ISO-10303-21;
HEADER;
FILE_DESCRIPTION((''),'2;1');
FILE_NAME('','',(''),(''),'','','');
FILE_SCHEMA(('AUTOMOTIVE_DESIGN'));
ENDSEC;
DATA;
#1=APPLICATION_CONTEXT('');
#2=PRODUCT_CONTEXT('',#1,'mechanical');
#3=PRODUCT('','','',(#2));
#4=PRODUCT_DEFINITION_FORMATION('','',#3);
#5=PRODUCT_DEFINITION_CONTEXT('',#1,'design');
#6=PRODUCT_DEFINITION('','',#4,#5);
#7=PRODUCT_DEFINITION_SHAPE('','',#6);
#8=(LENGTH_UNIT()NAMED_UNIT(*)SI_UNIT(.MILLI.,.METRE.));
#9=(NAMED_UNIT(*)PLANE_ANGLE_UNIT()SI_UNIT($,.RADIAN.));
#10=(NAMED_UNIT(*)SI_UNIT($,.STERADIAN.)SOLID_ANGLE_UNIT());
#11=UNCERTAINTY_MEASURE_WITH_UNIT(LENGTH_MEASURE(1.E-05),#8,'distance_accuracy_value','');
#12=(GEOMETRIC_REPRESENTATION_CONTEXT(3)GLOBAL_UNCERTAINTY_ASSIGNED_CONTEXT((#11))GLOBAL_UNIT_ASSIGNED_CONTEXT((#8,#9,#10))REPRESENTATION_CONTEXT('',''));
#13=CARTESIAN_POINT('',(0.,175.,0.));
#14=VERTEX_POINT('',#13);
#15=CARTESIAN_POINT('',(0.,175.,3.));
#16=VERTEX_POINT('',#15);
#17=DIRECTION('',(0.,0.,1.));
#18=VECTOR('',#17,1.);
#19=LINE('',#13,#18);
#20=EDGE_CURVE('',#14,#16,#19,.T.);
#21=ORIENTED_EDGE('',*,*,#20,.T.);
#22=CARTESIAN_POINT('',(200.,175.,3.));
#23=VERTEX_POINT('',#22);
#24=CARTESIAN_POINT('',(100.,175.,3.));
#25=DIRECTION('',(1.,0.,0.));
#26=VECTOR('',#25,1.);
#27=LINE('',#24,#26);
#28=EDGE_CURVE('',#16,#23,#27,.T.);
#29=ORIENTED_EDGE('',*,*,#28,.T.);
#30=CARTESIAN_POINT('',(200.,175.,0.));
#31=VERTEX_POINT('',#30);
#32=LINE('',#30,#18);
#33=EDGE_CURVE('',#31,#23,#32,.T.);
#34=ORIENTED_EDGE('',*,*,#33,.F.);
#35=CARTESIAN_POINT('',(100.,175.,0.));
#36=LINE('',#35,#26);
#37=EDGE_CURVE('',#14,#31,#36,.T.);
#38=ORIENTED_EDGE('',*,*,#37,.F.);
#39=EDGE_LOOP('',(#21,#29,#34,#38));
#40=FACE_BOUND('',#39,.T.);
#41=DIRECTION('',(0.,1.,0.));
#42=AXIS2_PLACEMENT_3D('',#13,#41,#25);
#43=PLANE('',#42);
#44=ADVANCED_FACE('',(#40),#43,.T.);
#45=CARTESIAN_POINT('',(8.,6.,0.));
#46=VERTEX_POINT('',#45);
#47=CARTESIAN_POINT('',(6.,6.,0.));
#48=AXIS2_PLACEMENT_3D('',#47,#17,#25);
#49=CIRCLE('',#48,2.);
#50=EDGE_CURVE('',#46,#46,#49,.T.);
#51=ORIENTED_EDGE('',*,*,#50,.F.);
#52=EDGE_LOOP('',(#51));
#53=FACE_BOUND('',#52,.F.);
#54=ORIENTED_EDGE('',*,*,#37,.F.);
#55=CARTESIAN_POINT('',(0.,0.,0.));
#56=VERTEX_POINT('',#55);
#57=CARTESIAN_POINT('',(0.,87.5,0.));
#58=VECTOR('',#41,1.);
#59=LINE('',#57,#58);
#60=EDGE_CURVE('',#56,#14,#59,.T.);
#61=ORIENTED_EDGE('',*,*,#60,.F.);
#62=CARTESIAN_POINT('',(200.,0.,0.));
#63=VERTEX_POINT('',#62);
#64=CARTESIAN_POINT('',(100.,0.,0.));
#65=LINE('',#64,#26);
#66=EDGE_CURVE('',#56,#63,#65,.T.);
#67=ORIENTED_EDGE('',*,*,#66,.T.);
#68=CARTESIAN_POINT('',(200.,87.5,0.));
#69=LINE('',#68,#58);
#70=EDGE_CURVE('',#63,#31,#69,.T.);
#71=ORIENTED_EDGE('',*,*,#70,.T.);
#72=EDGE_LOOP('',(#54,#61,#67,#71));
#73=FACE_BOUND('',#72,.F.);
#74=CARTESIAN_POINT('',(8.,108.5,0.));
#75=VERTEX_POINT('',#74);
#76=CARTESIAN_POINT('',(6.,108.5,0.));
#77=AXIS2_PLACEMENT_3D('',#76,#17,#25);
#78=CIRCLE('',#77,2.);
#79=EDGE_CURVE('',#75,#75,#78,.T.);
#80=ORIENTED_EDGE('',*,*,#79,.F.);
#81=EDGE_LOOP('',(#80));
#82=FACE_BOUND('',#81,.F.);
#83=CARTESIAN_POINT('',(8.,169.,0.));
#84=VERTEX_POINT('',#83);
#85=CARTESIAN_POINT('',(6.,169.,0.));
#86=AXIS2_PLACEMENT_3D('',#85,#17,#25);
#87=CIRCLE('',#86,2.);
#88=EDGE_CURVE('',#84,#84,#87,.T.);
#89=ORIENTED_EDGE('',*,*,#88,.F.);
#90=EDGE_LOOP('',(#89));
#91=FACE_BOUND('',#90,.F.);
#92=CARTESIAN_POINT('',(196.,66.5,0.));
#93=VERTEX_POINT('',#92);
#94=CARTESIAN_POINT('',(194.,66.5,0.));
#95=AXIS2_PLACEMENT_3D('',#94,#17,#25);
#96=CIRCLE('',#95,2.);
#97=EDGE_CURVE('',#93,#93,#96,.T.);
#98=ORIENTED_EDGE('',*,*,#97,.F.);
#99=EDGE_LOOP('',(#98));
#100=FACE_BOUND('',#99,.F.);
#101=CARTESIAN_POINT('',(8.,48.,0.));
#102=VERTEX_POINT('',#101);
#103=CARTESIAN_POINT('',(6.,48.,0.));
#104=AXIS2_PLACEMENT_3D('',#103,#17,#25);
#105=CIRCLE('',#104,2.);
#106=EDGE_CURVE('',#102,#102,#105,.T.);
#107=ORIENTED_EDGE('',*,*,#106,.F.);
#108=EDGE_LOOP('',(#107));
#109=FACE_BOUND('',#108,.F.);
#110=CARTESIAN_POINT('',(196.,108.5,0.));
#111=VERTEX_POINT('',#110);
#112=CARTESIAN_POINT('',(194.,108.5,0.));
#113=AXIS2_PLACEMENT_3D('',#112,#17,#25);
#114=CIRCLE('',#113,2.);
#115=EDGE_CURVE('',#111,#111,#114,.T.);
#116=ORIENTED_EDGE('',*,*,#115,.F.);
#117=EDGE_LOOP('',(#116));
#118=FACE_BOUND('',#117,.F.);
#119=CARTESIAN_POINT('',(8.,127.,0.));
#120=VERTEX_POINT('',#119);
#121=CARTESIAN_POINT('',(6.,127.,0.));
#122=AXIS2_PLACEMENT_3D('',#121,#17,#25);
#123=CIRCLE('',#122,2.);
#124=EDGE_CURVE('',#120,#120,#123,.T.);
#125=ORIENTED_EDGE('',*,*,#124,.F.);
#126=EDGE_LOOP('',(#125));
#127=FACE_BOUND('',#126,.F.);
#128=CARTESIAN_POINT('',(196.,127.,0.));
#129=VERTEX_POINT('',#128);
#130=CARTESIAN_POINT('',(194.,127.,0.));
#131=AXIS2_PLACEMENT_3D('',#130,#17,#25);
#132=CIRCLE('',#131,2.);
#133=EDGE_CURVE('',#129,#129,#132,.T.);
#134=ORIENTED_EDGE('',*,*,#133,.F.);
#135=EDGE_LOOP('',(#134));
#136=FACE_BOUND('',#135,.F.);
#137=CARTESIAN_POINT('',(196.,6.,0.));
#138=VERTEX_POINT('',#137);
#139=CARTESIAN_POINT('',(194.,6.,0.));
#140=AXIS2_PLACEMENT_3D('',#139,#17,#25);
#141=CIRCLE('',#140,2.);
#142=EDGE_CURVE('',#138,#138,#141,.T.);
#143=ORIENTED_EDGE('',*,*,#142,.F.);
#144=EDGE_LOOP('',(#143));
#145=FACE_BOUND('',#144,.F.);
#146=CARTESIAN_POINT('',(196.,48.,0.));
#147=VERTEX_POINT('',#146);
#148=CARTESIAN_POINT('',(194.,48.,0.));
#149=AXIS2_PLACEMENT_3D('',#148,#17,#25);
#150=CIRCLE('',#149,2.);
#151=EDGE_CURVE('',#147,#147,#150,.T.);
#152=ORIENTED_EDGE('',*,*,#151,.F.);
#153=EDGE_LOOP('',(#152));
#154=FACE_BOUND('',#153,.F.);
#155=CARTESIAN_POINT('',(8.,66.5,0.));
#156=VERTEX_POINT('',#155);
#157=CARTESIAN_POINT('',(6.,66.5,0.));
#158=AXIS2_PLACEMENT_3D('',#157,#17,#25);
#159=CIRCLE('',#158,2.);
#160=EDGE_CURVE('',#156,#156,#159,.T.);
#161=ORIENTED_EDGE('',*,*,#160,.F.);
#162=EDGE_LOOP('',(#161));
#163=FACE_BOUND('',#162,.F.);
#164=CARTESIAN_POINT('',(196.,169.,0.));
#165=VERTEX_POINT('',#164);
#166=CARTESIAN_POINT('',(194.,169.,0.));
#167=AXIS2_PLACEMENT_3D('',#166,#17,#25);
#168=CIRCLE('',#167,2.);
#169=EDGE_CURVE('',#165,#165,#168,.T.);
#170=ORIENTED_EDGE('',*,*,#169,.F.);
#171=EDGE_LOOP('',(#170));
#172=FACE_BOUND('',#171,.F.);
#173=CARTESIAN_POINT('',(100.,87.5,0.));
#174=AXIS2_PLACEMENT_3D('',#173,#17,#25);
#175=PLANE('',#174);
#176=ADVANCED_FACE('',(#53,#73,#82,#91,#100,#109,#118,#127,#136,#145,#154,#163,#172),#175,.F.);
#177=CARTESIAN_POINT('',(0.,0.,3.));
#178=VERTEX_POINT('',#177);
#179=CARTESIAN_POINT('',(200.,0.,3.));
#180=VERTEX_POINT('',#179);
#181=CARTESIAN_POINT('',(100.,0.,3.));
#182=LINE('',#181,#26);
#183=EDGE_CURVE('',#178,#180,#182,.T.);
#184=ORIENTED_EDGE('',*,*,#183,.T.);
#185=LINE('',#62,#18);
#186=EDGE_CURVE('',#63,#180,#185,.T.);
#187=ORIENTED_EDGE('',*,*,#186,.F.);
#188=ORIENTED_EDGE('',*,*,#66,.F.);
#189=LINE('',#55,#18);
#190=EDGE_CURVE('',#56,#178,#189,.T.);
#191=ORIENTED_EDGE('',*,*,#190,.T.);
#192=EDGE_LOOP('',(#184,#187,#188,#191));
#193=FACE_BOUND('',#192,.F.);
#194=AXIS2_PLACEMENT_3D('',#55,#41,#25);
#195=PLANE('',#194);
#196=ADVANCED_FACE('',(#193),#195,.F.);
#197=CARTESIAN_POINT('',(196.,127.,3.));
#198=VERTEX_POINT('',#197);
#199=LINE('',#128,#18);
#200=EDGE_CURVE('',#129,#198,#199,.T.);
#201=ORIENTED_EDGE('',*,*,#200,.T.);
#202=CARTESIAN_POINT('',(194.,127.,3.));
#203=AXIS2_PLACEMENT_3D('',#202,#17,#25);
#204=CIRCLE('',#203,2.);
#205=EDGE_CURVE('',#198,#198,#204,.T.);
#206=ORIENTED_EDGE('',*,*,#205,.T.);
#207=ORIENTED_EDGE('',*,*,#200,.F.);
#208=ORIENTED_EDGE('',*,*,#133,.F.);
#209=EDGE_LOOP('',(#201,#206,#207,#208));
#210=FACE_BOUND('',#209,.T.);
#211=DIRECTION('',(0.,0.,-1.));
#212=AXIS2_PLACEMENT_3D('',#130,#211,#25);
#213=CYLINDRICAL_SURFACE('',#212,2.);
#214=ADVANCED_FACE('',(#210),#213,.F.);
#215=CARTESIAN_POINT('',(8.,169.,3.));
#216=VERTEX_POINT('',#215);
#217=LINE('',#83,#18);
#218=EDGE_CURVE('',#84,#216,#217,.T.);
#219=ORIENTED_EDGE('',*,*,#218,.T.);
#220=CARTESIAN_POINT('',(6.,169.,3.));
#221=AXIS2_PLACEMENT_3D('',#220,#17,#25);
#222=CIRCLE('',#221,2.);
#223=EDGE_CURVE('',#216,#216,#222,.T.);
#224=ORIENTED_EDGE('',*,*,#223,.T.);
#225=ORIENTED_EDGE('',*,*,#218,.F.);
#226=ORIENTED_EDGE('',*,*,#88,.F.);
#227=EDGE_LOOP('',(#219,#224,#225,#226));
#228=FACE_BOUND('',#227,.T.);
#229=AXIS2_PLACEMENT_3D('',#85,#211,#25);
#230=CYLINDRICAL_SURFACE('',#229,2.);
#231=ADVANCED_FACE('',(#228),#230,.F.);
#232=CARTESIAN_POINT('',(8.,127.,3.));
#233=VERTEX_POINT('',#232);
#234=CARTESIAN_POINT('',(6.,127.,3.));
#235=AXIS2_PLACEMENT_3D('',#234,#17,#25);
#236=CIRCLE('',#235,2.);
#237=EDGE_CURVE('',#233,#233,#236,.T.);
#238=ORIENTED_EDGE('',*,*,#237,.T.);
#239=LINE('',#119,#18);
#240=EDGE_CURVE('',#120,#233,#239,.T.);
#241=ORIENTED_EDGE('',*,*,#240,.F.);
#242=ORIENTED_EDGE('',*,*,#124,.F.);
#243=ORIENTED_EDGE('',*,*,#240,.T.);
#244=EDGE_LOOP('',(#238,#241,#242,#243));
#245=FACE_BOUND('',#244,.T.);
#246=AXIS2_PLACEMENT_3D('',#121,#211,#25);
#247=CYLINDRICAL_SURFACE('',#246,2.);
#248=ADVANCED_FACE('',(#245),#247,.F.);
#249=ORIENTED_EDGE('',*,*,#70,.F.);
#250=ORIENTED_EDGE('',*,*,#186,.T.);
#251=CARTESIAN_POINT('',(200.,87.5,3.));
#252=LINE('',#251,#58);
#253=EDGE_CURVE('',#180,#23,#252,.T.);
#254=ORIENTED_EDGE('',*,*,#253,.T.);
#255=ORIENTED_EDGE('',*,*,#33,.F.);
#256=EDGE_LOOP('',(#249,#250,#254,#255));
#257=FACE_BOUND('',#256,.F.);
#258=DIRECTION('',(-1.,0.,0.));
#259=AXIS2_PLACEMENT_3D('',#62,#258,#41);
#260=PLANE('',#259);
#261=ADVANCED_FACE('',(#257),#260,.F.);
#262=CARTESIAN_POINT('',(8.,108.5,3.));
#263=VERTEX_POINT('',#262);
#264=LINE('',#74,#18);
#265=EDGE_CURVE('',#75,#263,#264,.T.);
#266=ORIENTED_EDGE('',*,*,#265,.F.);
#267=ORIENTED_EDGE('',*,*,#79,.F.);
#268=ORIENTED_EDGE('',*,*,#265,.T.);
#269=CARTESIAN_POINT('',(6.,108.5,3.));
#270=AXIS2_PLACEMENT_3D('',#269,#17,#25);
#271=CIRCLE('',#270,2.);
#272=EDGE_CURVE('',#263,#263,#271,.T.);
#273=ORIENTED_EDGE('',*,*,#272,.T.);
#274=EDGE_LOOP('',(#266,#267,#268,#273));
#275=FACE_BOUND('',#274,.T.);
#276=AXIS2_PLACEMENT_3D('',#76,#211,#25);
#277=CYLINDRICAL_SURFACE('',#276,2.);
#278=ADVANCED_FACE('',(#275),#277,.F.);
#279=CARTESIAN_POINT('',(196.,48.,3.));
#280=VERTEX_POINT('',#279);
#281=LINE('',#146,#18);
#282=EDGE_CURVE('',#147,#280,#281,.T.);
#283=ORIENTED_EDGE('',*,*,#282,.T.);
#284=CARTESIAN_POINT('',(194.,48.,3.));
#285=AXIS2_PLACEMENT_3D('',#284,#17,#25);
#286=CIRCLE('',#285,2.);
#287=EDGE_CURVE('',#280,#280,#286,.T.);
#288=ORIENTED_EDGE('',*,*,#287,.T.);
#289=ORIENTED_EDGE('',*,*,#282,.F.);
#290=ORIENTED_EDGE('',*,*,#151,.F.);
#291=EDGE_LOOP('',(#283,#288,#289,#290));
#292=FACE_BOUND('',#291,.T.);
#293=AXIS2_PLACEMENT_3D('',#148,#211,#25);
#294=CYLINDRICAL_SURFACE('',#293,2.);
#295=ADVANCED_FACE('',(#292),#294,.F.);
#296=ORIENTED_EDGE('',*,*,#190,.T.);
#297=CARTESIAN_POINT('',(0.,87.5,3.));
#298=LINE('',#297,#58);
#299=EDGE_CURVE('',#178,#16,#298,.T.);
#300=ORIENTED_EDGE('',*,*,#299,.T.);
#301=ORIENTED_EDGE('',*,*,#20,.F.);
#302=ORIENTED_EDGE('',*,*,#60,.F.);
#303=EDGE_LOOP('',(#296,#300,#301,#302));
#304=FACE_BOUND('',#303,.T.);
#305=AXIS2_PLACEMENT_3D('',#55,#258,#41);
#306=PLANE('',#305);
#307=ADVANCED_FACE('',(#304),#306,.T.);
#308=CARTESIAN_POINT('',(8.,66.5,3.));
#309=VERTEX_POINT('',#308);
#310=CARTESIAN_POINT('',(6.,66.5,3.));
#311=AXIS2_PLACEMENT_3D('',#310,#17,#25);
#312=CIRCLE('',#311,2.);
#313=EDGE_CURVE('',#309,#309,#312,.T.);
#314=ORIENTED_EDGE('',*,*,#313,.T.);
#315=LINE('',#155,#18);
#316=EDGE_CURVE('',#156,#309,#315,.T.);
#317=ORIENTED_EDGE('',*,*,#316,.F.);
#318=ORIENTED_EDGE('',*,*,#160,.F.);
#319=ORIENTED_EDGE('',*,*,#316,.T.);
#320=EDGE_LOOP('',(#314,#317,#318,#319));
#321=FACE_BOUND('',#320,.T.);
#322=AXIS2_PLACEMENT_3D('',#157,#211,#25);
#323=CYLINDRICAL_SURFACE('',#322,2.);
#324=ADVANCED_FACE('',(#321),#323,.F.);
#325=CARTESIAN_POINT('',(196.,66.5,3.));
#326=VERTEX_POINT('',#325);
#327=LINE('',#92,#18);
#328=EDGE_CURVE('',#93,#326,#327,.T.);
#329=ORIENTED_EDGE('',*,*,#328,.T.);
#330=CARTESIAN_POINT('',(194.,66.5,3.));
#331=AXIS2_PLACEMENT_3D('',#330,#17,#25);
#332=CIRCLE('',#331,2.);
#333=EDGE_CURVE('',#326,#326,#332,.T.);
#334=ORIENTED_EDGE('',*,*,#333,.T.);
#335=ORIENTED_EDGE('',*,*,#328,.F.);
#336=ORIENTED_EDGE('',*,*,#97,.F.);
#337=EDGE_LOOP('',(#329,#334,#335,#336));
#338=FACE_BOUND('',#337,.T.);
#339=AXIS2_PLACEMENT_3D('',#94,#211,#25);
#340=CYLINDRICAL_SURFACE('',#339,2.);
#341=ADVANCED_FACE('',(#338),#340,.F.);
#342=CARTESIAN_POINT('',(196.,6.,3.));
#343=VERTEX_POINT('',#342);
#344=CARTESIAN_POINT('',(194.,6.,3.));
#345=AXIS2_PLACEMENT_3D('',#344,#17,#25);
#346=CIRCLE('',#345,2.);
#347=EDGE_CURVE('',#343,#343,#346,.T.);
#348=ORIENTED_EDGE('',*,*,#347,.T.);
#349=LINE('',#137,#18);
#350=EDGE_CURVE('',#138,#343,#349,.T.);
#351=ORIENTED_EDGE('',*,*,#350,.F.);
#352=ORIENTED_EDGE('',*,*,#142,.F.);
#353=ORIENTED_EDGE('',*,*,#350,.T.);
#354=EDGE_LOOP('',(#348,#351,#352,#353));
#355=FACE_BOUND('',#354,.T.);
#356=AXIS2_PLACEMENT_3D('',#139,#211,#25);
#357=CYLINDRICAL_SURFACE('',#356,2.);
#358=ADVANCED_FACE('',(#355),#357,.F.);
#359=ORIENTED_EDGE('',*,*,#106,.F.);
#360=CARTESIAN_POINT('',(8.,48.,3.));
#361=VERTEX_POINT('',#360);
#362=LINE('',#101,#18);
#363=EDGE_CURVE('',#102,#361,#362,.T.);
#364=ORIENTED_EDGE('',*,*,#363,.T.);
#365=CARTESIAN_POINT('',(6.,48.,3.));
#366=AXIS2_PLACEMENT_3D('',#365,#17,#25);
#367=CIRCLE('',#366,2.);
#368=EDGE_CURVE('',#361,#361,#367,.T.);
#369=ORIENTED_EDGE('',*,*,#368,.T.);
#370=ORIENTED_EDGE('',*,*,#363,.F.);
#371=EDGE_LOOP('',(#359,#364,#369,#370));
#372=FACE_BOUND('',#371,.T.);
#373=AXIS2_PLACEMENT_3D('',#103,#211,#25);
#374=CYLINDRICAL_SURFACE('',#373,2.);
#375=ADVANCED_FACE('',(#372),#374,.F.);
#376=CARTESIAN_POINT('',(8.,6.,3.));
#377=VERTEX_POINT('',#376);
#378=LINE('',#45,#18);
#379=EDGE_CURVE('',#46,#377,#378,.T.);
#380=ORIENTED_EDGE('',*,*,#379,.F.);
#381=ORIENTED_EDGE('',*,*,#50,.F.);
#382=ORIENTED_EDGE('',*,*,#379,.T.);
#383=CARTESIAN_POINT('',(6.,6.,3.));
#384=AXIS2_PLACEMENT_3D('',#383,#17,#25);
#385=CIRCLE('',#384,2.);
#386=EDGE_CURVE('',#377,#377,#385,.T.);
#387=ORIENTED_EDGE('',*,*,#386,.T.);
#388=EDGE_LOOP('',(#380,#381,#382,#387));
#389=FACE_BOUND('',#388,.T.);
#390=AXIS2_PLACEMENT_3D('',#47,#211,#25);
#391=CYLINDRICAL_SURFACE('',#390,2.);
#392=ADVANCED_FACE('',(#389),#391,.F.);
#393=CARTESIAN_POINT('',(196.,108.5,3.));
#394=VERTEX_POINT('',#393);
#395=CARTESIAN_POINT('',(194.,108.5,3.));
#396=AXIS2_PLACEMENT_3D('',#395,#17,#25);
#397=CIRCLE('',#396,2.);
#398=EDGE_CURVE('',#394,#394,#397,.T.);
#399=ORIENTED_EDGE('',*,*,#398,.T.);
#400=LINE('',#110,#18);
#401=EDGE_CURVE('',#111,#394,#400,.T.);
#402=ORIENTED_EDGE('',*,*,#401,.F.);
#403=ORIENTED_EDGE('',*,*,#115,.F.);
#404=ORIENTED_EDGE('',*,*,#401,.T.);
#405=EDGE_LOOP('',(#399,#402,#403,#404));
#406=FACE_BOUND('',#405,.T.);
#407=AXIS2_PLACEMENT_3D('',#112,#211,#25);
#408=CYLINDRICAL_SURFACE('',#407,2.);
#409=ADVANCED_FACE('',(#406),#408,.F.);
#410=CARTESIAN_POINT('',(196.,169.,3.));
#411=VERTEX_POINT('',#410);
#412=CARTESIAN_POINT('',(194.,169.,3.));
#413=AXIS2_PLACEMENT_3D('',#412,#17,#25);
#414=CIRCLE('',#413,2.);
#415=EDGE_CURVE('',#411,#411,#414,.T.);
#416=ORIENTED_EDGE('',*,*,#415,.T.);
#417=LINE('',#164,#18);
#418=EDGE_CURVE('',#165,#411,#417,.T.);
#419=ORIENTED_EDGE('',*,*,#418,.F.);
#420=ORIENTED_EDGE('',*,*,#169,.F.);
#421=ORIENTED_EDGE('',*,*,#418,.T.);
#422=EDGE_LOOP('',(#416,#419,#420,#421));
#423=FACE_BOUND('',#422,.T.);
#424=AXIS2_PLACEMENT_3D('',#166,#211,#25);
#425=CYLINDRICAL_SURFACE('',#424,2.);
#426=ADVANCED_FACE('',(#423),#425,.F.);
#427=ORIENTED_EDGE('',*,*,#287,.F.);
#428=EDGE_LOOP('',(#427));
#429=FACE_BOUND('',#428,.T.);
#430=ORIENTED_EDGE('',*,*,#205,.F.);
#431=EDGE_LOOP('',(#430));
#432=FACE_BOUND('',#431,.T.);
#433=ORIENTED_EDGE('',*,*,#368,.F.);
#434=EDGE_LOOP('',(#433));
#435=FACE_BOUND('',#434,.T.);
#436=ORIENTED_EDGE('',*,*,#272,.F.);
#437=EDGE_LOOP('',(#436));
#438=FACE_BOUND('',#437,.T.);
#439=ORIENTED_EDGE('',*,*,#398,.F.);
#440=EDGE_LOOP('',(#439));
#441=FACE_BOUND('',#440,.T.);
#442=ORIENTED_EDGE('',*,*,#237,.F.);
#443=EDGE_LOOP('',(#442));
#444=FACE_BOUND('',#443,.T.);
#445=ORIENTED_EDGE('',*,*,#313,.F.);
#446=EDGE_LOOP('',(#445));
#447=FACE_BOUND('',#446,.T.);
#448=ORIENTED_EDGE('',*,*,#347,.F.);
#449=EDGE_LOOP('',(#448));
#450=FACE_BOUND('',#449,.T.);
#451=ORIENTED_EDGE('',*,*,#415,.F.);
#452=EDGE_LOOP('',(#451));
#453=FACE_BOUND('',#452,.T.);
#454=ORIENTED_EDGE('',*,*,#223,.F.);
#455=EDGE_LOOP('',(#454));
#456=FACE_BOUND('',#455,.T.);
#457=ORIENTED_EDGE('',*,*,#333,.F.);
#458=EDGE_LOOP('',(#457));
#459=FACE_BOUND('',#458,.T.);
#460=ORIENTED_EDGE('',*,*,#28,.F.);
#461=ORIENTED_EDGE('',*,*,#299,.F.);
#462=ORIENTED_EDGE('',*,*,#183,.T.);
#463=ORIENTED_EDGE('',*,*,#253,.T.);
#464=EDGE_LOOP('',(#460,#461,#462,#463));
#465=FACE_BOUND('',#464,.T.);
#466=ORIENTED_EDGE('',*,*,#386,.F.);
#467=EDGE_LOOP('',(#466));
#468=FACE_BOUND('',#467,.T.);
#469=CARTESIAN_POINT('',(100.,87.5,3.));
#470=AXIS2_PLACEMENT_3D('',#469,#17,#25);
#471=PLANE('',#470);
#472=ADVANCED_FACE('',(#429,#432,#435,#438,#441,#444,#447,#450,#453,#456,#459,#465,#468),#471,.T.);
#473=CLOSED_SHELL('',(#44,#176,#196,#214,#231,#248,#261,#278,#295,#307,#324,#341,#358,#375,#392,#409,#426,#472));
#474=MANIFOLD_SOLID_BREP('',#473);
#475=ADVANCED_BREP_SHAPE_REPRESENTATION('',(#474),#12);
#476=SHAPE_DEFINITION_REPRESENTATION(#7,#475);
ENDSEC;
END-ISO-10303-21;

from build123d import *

# Parameters (mm, degrees)
SKETCH_W  = 200
SKETCH_H  = 175
SKETCH_R  = 2
PAD_DEPTH = 3


with BuildPart() as part:
    # Sketch → Pad (new body)
    with BuildSketch(Plane.XY):
        with Locations((100, 87.5)):
            Rectangle(SKETCH_W, SKETCH_H)
        with Locations((6, 48)):
            Circle(SKETCH_R, mode=Mode.SUBTRACT)
        with Locations((6, 6)):
            Circle(SKETCH_R, mode=Mode.SUBTRACT)
        with Locations((194, 48)):
            Circle(SKETCH_R, mode=Mode.SUBTRACT)
        with Locations((194, 6)):
            Circle(SKETCH_R, mode=Mode.SUBTRACT)
        with Locations((6, 169)):
            Circle(SKETCH_R, mode=Mode.SUBTRACT)
        with Locations((6, 127)):
            Circle(SKETCH_R, mode=Mode.SUBTRACT)
        with Locations((6, 108.5)):
            Circle(SKETCH_R, mode=Mode.SUBTRACT)
        with Locations((6, 66.5)):
            Circle(SKETCH_R, mode=Mode.SUBTRACT)
        with Locations((194, 108.5)):
            Circle(SKETCH_R, mode=Mode.SUBTRACT)
        with Locations((194, 66.5)):
            Circle(SKETCH_R, mode=Mode.SUBTRACT)
        with Locations((194, 169)):
            Circle(SKETCH_R, mode=Mode.SUBTRACT)
        with Locations((194, 127)):
            Circle(SKETCH_R, mode=Mode.SUBTRACT)
    extrude(amount=PAD_DEPTH)


solid = part.part
